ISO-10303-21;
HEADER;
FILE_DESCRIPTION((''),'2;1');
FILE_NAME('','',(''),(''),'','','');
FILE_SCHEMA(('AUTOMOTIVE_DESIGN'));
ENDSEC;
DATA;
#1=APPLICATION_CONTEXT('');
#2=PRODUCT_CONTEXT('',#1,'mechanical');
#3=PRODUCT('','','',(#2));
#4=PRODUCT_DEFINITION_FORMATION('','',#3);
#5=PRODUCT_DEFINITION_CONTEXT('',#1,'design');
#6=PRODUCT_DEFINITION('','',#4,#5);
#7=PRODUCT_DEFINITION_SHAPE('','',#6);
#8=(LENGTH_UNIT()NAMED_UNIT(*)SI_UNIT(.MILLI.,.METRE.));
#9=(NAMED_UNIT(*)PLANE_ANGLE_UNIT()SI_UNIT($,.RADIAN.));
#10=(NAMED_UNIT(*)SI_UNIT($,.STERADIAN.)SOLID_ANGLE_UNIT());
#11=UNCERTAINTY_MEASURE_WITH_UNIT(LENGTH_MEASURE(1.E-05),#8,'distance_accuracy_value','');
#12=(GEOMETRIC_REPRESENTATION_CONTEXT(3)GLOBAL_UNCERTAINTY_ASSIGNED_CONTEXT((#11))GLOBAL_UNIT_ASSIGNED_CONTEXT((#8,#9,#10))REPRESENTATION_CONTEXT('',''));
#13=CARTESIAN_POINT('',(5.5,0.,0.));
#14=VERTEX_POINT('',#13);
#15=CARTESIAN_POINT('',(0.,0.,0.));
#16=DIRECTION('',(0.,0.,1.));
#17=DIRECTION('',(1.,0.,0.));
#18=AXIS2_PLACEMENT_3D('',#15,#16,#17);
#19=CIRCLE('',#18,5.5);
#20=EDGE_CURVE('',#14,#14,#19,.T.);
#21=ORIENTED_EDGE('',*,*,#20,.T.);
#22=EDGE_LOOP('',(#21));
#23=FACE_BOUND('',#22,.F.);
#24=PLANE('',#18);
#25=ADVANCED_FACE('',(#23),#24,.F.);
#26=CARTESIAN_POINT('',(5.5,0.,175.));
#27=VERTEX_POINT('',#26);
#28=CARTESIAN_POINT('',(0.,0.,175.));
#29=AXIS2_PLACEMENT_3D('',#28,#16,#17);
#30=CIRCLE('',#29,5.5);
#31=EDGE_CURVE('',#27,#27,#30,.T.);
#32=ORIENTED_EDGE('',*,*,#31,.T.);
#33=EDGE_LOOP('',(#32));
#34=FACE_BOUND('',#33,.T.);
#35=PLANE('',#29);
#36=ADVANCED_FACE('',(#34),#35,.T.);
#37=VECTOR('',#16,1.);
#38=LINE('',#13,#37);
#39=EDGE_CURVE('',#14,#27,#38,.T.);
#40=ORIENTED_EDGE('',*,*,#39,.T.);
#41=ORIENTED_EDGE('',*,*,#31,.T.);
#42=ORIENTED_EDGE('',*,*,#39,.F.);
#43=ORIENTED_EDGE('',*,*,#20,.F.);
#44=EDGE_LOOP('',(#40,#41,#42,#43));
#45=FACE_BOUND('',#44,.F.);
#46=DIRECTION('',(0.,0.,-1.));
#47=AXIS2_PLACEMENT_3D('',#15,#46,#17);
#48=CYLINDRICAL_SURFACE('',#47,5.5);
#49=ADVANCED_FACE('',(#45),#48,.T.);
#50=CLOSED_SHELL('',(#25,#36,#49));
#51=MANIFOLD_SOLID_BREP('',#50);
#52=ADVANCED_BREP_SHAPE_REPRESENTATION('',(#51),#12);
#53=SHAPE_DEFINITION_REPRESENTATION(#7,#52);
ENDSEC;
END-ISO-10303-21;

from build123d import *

# Parameters (mm, degrees)
CYLINDER_R     = 5.5
CYLINDER_DEPTH = 175


with BuildPart() as part:
    # Cylinder → Cylinder (new body)
    with BuildSketch(Plane.XY):
        Circle(CYLINDER_R)
    extrude(amount=CYLINDER_DEPTH)


solid = part.part
